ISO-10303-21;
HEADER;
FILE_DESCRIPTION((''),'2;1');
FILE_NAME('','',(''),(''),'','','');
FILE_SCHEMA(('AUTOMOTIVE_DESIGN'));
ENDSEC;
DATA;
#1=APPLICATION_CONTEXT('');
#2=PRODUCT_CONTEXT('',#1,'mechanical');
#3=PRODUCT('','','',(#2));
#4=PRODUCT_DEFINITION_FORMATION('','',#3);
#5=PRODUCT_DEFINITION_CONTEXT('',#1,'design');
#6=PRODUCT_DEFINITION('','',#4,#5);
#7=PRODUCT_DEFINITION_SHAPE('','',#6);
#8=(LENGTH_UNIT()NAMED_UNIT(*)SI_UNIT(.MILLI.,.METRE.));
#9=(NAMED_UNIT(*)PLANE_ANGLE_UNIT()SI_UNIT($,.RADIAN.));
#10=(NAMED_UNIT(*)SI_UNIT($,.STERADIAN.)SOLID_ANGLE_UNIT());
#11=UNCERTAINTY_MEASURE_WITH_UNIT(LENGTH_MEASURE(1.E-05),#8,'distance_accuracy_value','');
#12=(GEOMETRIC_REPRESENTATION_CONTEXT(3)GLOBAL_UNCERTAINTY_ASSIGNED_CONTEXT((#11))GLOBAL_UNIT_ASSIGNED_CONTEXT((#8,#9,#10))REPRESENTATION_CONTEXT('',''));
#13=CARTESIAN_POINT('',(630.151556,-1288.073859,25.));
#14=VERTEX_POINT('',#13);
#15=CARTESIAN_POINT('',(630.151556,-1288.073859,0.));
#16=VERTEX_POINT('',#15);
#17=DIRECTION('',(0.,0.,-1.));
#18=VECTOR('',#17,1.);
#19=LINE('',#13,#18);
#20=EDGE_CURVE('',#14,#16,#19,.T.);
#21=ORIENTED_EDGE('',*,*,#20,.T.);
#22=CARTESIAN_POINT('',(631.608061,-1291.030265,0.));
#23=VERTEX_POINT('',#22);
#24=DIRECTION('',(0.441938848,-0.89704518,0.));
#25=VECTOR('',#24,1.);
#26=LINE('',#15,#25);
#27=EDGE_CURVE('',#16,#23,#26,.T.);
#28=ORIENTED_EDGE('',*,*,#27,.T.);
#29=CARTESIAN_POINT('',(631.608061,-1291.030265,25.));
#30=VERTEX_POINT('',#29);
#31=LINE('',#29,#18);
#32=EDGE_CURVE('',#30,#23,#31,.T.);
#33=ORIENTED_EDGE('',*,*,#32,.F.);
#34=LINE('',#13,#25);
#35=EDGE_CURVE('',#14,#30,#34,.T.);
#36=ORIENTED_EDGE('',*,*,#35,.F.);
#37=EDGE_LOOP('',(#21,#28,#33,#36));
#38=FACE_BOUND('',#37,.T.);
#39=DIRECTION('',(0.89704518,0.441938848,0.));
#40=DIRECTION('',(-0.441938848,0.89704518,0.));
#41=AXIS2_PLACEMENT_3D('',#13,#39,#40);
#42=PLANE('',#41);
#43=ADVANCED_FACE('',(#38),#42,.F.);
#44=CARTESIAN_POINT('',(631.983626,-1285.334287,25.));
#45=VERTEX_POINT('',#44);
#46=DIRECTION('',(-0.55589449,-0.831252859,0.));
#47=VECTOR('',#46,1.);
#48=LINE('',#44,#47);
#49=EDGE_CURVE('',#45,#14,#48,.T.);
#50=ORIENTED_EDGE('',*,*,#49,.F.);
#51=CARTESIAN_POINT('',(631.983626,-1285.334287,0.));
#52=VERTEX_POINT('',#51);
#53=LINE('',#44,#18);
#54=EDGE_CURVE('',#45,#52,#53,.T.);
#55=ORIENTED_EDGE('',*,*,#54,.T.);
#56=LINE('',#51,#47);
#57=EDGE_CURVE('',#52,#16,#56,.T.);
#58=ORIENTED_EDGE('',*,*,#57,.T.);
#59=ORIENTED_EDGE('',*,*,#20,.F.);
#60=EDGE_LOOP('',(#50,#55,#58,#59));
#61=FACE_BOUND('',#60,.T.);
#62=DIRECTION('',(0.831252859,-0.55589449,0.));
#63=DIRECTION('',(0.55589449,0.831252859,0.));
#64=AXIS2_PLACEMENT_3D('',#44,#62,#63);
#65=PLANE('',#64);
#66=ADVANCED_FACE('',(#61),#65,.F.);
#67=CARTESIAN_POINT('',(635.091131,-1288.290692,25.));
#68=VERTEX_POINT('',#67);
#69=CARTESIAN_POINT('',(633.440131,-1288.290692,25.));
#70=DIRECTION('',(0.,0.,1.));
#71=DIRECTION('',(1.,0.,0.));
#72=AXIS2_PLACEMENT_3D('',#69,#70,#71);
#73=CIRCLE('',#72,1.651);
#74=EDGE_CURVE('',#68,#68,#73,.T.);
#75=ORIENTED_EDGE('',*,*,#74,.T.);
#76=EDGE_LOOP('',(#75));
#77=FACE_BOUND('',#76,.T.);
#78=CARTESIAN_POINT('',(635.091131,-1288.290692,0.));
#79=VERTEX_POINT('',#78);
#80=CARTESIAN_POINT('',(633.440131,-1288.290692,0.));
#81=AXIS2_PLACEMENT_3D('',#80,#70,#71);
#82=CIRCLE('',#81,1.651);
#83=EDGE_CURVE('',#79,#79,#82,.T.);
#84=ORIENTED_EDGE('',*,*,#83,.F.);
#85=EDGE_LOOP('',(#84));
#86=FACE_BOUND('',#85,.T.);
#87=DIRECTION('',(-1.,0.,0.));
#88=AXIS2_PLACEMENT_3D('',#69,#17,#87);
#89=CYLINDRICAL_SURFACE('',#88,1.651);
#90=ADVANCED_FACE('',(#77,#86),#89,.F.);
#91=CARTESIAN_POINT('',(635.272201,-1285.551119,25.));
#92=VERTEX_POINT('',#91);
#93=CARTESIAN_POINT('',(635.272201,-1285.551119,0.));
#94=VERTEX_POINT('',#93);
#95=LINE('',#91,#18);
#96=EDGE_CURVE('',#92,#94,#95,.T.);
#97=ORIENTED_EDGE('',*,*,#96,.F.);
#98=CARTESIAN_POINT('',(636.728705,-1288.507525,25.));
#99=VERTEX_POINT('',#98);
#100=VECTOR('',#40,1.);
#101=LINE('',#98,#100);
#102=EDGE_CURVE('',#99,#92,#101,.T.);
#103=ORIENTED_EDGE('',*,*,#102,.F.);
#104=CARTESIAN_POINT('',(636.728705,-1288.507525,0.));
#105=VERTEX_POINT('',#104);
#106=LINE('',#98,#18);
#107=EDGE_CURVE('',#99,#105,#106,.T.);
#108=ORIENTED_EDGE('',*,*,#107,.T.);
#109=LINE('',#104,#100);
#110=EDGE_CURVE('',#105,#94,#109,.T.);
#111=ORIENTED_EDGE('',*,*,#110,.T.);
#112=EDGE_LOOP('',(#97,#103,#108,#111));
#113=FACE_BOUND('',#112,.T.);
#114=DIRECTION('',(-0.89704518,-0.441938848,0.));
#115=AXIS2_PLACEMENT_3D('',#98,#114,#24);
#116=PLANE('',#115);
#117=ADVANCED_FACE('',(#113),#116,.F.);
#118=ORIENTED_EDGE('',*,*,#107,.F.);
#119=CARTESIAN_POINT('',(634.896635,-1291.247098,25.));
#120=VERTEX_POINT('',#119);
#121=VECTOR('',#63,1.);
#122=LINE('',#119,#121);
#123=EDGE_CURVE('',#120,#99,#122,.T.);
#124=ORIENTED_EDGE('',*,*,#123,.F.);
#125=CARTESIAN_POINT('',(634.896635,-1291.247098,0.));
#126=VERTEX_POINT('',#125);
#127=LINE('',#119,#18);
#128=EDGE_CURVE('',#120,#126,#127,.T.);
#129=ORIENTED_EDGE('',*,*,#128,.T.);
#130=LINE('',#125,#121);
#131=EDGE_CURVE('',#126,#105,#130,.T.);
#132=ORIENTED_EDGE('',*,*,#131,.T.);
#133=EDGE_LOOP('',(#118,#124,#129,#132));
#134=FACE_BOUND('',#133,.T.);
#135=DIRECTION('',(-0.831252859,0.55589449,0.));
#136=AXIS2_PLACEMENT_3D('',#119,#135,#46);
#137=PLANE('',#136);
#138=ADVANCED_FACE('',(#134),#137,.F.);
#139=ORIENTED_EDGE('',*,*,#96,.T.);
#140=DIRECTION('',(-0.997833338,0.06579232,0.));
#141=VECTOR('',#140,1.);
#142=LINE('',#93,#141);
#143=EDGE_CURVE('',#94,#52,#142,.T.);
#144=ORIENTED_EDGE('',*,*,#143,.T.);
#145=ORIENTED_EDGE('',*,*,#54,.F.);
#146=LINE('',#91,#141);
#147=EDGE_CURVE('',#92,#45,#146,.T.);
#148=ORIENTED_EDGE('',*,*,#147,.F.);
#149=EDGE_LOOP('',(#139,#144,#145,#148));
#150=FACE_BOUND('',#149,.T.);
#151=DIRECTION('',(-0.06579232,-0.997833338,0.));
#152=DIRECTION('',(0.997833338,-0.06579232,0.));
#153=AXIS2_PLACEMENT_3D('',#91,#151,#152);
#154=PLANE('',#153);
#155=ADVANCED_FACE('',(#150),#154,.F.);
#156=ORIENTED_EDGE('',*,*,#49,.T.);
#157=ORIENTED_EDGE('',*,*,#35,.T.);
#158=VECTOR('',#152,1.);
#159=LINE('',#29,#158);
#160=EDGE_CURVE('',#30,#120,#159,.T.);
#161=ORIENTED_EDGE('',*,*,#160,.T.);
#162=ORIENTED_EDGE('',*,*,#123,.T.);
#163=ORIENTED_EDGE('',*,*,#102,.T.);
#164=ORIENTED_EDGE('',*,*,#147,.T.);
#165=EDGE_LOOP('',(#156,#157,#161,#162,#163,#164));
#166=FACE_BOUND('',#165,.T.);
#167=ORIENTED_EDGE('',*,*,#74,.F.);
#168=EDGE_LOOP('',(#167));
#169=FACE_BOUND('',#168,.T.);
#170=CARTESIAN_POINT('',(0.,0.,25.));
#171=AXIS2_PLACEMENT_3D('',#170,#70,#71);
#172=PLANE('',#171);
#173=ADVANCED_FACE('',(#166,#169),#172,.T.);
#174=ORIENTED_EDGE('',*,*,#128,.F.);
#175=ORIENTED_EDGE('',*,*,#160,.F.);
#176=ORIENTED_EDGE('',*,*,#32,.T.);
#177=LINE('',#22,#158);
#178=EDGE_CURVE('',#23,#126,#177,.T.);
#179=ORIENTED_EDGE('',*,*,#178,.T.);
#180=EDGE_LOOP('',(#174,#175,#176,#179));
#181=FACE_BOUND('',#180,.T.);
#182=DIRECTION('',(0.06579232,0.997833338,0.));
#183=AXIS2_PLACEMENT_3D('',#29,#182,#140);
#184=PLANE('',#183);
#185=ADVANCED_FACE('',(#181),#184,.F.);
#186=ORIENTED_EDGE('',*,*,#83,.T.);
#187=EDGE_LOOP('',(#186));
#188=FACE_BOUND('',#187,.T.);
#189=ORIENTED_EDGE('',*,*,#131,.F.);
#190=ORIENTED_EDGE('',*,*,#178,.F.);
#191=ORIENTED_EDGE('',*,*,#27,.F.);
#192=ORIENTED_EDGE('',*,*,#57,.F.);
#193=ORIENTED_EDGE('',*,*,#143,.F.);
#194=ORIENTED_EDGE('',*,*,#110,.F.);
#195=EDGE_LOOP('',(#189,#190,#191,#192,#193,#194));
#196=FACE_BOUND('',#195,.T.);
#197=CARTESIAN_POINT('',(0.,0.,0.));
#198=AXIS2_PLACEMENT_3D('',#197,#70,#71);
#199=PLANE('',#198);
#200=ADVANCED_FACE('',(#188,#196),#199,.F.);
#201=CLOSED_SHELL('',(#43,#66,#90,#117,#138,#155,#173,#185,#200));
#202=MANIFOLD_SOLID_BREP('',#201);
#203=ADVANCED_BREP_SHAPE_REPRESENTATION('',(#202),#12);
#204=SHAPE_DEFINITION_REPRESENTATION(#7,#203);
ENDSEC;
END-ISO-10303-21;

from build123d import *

# Parameters (mm, degrees)
SKETCH1_R           = 1.651
BOSS_EXTRUDE1_DEPTH = 25


with BuildPart() as part:
    # Sketch1 → Boss-Extrude1 (new body)
    with BuildSketch(Plane.XY):
        Polygon((631.983625936, -1285.334286576), (630.151555946, -1288.073859365), (631.608060583, -1291.030264913), (634.896635209, -1291.247097671), (636.728705199, -1288.507524881), (635.272200562, -1285.551119334), align=None)
        with Locations((633.440130573, -1288.290692123)):
            Circle(SKETCH1_R, mode=Mode.SUBTRACT)
    extrude(amount=BOSS_EXTRUDE1_DEPTH)


solid = part.part
